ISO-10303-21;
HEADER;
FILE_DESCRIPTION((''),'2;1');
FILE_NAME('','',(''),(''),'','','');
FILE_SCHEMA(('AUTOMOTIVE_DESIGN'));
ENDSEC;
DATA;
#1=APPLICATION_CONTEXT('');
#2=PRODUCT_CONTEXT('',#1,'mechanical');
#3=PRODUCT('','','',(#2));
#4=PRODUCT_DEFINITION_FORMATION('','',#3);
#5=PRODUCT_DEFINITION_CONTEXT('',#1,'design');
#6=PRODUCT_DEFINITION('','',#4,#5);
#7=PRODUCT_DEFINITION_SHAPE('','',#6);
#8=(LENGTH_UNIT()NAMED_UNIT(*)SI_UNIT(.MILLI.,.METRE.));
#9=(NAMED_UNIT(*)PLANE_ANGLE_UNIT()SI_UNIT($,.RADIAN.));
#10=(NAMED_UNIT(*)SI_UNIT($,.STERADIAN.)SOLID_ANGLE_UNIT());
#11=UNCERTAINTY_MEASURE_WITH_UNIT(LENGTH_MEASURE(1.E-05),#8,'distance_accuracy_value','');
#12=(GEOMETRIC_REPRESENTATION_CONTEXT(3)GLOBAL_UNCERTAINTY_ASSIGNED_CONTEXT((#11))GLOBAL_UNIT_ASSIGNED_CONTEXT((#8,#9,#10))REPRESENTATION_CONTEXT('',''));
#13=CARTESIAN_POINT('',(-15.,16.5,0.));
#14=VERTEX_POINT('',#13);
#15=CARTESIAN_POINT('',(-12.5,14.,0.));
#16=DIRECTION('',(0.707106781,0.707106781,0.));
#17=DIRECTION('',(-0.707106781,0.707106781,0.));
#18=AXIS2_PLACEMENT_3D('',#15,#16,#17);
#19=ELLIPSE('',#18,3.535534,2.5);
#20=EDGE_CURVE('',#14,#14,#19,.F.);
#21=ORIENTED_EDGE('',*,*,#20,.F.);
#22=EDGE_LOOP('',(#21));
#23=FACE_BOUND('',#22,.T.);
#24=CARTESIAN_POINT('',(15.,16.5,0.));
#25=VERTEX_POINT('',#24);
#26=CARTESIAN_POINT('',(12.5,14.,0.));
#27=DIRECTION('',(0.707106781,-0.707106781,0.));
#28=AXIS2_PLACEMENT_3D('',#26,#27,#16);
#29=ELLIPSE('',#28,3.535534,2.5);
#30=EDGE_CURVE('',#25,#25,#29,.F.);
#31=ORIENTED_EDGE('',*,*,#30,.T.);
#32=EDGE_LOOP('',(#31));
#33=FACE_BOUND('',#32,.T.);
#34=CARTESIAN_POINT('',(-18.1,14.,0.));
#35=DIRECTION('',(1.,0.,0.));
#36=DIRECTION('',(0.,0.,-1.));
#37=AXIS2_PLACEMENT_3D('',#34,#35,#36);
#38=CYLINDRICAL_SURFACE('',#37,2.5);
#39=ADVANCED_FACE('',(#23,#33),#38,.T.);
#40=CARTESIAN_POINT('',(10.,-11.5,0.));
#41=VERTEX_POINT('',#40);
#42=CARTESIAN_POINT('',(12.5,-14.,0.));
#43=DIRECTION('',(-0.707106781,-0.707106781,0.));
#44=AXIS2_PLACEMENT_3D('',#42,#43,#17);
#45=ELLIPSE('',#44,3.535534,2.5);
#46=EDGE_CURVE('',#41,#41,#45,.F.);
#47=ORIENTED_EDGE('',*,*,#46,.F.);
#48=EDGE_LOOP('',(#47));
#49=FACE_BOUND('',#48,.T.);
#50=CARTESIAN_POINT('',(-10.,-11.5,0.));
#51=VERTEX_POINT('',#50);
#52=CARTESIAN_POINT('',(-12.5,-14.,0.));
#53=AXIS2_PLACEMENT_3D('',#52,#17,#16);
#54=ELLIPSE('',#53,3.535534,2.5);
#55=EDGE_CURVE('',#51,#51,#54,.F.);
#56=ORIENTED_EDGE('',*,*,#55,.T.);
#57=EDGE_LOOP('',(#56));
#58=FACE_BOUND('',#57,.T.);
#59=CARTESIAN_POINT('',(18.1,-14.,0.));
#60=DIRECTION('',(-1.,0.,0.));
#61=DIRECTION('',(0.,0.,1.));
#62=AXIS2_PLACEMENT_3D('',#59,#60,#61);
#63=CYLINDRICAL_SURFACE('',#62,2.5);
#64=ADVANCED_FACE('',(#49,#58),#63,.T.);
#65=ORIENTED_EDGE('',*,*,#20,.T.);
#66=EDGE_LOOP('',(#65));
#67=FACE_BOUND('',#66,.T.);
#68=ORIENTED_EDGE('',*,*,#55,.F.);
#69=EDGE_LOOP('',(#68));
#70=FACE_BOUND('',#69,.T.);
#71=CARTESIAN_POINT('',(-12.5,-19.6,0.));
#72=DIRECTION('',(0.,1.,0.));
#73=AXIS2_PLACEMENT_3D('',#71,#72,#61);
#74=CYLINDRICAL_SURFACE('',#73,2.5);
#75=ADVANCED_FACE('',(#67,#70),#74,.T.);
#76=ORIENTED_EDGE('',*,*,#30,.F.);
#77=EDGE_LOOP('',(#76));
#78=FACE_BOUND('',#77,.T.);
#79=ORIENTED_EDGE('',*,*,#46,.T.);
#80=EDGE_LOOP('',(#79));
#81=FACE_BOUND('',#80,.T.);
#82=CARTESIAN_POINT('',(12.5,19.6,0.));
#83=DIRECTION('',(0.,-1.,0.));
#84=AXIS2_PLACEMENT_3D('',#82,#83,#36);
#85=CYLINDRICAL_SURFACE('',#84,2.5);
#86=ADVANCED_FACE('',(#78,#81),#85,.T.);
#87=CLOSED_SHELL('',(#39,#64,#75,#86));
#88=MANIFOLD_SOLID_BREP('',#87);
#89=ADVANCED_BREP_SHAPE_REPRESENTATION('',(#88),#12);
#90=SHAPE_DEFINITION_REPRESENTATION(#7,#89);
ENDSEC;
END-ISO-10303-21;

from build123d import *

# Parameters (mm, degrees)
SWEEP1_PROFILE_R = 2.5


with BuildPart() as part:
    # Sweep1: sweep along a path in Sketch1
    with BuildLine(Plane.XY) as sweep1_path:
        Line((-12.5, -14), (12.5, -14))
        Line((12.5, -14), (12.5, 14))
        Line((12.5, 14), (-12.5, 14))
        Line((-12.5, 14), (-12.5, -14))
    # Sweep1 profile (on start of the path) → Sweep1 (sweep)
    with BuildSketch(Plane(origin=(-12.5, -14, 0), x_dir=(0, 0, 1), z_dir=(1, 0, 0))):
        Circle(SWEEP1_PROFILE_R)
    sweep(path=sweep1_path.line, transition=Transition.RIGHT)


solid = part.part
